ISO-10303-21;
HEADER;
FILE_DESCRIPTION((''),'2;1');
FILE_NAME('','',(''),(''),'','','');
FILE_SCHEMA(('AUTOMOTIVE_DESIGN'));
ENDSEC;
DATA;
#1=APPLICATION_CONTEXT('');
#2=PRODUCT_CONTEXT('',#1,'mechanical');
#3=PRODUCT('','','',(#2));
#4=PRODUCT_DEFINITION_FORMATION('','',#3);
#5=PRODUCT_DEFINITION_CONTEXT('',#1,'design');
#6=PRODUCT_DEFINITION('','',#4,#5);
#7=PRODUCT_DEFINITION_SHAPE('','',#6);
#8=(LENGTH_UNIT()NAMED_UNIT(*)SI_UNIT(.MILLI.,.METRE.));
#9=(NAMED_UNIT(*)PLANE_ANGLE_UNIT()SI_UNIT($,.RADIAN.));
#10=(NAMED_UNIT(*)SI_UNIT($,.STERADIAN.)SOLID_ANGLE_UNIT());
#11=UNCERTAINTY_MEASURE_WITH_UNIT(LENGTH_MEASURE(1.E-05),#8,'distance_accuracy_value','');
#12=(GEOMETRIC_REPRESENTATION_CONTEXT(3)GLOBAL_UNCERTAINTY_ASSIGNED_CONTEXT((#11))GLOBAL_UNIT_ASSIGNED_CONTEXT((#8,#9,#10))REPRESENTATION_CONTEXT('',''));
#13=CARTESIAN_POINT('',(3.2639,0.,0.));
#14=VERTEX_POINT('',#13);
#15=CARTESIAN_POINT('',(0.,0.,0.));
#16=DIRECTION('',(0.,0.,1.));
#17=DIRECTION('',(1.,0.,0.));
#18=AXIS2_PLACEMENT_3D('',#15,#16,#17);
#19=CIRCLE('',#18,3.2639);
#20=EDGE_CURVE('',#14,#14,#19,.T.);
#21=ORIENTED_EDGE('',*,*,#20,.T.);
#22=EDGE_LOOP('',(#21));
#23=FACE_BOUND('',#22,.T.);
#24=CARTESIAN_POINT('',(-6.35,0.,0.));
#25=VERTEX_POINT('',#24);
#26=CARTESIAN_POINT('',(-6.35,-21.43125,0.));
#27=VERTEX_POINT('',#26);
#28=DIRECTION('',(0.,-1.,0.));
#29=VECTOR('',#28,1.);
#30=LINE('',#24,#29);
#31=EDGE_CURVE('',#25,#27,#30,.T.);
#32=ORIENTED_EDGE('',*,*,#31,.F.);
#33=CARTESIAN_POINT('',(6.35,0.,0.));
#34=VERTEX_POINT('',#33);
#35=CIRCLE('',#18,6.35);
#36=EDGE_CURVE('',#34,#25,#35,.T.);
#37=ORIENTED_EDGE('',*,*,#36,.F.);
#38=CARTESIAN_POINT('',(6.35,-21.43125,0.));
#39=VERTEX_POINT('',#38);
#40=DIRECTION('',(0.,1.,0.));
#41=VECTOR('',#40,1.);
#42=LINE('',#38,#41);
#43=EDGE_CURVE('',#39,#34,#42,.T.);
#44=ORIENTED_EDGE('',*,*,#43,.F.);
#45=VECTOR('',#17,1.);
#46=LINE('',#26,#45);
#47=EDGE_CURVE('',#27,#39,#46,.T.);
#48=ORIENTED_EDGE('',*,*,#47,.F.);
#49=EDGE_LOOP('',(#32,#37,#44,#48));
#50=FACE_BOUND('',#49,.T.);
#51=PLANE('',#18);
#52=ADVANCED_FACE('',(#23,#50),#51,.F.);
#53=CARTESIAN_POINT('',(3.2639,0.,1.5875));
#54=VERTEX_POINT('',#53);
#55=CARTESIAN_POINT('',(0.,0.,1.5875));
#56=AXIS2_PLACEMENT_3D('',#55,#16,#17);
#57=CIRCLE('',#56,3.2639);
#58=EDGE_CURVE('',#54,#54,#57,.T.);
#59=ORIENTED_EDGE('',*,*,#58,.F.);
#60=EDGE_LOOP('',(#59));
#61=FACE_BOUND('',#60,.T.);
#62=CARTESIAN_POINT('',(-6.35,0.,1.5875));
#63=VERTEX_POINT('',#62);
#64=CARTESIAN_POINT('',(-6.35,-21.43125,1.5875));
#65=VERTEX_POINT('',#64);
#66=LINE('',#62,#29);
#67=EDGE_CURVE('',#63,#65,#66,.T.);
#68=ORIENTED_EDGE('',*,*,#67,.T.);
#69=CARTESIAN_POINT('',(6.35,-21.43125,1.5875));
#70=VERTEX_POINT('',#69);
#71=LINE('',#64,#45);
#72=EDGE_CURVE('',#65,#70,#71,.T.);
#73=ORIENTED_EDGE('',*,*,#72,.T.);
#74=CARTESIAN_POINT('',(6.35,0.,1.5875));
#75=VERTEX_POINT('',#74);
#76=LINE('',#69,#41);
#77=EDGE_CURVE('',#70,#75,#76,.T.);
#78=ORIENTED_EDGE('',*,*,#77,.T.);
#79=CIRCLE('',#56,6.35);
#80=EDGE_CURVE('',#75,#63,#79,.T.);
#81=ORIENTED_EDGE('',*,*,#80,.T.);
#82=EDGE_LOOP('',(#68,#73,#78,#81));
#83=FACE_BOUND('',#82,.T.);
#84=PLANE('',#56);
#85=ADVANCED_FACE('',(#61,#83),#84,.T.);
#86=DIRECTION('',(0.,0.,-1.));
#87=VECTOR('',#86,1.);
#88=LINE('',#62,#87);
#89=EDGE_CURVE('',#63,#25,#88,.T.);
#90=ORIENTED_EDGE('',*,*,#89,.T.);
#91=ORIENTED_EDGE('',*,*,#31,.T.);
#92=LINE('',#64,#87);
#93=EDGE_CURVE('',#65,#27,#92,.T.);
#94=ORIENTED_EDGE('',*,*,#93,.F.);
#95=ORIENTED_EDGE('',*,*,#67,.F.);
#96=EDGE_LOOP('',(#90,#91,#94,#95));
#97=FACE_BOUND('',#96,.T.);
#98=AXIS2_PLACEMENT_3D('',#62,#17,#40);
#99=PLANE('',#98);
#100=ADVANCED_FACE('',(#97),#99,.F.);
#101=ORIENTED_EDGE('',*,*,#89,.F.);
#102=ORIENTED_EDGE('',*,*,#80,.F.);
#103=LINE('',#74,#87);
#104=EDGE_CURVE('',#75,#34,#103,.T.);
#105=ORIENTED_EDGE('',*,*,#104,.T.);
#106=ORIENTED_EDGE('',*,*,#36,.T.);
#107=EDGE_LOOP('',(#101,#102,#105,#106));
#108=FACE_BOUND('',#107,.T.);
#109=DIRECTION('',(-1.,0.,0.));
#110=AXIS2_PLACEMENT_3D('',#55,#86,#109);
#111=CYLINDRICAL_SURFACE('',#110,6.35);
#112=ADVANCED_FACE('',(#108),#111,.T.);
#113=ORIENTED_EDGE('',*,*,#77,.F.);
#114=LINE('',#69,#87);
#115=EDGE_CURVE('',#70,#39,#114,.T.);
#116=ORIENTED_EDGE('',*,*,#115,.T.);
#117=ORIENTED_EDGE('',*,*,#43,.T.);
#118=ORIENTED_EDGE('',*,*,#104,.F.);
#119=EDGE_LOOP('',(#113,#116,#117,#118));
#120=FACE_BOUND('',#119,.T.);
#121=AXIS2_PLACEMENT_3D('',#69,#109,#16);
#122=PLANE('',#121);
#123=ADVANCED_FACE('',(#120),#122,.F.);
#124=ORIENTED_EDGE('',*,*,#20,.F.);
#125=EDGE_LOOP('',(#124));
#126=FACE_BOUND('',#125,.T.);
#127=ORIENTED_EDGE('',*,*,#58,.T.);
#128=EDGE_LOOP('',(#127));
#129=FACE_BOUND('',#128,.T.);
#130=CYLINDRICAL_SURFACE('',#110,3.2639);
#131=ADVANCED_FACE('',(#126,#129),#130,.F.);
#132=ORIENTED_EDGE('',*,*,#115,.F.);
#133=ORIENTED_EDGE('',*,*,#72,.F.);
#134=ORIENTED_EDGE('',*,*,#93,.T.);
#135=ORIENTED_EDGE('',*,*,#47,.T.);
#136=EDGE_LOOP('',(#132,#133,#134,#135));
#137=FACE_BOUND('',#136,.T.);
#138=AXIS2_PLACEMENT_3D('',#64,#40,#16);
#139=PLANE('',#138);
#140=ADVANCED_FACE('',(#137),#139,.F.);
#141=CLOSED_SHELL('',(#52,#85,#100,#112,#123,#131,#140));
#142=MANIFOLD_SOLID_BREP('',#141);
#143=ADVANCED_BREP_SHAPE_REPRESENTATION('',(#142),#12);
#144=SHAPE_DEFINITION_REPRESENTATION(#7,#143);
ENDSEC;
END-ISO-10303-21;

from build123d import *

# Parameters (mm, degrees)
SKETCH1_R           = 3.2639
BOSS_EXTRUDE1_DEPTH = 1.5875


with BuildPart() as part:
    # Sketch1 → Boss-Extrude1 (new body)
    with BuildSketch(Plane.XY):
        with BuildLine():
            Line((-6.35, -21.43125), (6.35, -21.43125))
            Line((6.35, -21.43125), (6.35, 0))
            ThreePointArc((6.35, 0), (0, 6.35), (-6.35, 0))
            Line((-6.35, 0), (-6.35, -21.43125))
        make_face()
        Circle(SKETCH1_R, mode=Mode.SUBTRACT)
    extrude(amount=BOSS_EXTRUDE1_DEPTH)


solid = part.part
